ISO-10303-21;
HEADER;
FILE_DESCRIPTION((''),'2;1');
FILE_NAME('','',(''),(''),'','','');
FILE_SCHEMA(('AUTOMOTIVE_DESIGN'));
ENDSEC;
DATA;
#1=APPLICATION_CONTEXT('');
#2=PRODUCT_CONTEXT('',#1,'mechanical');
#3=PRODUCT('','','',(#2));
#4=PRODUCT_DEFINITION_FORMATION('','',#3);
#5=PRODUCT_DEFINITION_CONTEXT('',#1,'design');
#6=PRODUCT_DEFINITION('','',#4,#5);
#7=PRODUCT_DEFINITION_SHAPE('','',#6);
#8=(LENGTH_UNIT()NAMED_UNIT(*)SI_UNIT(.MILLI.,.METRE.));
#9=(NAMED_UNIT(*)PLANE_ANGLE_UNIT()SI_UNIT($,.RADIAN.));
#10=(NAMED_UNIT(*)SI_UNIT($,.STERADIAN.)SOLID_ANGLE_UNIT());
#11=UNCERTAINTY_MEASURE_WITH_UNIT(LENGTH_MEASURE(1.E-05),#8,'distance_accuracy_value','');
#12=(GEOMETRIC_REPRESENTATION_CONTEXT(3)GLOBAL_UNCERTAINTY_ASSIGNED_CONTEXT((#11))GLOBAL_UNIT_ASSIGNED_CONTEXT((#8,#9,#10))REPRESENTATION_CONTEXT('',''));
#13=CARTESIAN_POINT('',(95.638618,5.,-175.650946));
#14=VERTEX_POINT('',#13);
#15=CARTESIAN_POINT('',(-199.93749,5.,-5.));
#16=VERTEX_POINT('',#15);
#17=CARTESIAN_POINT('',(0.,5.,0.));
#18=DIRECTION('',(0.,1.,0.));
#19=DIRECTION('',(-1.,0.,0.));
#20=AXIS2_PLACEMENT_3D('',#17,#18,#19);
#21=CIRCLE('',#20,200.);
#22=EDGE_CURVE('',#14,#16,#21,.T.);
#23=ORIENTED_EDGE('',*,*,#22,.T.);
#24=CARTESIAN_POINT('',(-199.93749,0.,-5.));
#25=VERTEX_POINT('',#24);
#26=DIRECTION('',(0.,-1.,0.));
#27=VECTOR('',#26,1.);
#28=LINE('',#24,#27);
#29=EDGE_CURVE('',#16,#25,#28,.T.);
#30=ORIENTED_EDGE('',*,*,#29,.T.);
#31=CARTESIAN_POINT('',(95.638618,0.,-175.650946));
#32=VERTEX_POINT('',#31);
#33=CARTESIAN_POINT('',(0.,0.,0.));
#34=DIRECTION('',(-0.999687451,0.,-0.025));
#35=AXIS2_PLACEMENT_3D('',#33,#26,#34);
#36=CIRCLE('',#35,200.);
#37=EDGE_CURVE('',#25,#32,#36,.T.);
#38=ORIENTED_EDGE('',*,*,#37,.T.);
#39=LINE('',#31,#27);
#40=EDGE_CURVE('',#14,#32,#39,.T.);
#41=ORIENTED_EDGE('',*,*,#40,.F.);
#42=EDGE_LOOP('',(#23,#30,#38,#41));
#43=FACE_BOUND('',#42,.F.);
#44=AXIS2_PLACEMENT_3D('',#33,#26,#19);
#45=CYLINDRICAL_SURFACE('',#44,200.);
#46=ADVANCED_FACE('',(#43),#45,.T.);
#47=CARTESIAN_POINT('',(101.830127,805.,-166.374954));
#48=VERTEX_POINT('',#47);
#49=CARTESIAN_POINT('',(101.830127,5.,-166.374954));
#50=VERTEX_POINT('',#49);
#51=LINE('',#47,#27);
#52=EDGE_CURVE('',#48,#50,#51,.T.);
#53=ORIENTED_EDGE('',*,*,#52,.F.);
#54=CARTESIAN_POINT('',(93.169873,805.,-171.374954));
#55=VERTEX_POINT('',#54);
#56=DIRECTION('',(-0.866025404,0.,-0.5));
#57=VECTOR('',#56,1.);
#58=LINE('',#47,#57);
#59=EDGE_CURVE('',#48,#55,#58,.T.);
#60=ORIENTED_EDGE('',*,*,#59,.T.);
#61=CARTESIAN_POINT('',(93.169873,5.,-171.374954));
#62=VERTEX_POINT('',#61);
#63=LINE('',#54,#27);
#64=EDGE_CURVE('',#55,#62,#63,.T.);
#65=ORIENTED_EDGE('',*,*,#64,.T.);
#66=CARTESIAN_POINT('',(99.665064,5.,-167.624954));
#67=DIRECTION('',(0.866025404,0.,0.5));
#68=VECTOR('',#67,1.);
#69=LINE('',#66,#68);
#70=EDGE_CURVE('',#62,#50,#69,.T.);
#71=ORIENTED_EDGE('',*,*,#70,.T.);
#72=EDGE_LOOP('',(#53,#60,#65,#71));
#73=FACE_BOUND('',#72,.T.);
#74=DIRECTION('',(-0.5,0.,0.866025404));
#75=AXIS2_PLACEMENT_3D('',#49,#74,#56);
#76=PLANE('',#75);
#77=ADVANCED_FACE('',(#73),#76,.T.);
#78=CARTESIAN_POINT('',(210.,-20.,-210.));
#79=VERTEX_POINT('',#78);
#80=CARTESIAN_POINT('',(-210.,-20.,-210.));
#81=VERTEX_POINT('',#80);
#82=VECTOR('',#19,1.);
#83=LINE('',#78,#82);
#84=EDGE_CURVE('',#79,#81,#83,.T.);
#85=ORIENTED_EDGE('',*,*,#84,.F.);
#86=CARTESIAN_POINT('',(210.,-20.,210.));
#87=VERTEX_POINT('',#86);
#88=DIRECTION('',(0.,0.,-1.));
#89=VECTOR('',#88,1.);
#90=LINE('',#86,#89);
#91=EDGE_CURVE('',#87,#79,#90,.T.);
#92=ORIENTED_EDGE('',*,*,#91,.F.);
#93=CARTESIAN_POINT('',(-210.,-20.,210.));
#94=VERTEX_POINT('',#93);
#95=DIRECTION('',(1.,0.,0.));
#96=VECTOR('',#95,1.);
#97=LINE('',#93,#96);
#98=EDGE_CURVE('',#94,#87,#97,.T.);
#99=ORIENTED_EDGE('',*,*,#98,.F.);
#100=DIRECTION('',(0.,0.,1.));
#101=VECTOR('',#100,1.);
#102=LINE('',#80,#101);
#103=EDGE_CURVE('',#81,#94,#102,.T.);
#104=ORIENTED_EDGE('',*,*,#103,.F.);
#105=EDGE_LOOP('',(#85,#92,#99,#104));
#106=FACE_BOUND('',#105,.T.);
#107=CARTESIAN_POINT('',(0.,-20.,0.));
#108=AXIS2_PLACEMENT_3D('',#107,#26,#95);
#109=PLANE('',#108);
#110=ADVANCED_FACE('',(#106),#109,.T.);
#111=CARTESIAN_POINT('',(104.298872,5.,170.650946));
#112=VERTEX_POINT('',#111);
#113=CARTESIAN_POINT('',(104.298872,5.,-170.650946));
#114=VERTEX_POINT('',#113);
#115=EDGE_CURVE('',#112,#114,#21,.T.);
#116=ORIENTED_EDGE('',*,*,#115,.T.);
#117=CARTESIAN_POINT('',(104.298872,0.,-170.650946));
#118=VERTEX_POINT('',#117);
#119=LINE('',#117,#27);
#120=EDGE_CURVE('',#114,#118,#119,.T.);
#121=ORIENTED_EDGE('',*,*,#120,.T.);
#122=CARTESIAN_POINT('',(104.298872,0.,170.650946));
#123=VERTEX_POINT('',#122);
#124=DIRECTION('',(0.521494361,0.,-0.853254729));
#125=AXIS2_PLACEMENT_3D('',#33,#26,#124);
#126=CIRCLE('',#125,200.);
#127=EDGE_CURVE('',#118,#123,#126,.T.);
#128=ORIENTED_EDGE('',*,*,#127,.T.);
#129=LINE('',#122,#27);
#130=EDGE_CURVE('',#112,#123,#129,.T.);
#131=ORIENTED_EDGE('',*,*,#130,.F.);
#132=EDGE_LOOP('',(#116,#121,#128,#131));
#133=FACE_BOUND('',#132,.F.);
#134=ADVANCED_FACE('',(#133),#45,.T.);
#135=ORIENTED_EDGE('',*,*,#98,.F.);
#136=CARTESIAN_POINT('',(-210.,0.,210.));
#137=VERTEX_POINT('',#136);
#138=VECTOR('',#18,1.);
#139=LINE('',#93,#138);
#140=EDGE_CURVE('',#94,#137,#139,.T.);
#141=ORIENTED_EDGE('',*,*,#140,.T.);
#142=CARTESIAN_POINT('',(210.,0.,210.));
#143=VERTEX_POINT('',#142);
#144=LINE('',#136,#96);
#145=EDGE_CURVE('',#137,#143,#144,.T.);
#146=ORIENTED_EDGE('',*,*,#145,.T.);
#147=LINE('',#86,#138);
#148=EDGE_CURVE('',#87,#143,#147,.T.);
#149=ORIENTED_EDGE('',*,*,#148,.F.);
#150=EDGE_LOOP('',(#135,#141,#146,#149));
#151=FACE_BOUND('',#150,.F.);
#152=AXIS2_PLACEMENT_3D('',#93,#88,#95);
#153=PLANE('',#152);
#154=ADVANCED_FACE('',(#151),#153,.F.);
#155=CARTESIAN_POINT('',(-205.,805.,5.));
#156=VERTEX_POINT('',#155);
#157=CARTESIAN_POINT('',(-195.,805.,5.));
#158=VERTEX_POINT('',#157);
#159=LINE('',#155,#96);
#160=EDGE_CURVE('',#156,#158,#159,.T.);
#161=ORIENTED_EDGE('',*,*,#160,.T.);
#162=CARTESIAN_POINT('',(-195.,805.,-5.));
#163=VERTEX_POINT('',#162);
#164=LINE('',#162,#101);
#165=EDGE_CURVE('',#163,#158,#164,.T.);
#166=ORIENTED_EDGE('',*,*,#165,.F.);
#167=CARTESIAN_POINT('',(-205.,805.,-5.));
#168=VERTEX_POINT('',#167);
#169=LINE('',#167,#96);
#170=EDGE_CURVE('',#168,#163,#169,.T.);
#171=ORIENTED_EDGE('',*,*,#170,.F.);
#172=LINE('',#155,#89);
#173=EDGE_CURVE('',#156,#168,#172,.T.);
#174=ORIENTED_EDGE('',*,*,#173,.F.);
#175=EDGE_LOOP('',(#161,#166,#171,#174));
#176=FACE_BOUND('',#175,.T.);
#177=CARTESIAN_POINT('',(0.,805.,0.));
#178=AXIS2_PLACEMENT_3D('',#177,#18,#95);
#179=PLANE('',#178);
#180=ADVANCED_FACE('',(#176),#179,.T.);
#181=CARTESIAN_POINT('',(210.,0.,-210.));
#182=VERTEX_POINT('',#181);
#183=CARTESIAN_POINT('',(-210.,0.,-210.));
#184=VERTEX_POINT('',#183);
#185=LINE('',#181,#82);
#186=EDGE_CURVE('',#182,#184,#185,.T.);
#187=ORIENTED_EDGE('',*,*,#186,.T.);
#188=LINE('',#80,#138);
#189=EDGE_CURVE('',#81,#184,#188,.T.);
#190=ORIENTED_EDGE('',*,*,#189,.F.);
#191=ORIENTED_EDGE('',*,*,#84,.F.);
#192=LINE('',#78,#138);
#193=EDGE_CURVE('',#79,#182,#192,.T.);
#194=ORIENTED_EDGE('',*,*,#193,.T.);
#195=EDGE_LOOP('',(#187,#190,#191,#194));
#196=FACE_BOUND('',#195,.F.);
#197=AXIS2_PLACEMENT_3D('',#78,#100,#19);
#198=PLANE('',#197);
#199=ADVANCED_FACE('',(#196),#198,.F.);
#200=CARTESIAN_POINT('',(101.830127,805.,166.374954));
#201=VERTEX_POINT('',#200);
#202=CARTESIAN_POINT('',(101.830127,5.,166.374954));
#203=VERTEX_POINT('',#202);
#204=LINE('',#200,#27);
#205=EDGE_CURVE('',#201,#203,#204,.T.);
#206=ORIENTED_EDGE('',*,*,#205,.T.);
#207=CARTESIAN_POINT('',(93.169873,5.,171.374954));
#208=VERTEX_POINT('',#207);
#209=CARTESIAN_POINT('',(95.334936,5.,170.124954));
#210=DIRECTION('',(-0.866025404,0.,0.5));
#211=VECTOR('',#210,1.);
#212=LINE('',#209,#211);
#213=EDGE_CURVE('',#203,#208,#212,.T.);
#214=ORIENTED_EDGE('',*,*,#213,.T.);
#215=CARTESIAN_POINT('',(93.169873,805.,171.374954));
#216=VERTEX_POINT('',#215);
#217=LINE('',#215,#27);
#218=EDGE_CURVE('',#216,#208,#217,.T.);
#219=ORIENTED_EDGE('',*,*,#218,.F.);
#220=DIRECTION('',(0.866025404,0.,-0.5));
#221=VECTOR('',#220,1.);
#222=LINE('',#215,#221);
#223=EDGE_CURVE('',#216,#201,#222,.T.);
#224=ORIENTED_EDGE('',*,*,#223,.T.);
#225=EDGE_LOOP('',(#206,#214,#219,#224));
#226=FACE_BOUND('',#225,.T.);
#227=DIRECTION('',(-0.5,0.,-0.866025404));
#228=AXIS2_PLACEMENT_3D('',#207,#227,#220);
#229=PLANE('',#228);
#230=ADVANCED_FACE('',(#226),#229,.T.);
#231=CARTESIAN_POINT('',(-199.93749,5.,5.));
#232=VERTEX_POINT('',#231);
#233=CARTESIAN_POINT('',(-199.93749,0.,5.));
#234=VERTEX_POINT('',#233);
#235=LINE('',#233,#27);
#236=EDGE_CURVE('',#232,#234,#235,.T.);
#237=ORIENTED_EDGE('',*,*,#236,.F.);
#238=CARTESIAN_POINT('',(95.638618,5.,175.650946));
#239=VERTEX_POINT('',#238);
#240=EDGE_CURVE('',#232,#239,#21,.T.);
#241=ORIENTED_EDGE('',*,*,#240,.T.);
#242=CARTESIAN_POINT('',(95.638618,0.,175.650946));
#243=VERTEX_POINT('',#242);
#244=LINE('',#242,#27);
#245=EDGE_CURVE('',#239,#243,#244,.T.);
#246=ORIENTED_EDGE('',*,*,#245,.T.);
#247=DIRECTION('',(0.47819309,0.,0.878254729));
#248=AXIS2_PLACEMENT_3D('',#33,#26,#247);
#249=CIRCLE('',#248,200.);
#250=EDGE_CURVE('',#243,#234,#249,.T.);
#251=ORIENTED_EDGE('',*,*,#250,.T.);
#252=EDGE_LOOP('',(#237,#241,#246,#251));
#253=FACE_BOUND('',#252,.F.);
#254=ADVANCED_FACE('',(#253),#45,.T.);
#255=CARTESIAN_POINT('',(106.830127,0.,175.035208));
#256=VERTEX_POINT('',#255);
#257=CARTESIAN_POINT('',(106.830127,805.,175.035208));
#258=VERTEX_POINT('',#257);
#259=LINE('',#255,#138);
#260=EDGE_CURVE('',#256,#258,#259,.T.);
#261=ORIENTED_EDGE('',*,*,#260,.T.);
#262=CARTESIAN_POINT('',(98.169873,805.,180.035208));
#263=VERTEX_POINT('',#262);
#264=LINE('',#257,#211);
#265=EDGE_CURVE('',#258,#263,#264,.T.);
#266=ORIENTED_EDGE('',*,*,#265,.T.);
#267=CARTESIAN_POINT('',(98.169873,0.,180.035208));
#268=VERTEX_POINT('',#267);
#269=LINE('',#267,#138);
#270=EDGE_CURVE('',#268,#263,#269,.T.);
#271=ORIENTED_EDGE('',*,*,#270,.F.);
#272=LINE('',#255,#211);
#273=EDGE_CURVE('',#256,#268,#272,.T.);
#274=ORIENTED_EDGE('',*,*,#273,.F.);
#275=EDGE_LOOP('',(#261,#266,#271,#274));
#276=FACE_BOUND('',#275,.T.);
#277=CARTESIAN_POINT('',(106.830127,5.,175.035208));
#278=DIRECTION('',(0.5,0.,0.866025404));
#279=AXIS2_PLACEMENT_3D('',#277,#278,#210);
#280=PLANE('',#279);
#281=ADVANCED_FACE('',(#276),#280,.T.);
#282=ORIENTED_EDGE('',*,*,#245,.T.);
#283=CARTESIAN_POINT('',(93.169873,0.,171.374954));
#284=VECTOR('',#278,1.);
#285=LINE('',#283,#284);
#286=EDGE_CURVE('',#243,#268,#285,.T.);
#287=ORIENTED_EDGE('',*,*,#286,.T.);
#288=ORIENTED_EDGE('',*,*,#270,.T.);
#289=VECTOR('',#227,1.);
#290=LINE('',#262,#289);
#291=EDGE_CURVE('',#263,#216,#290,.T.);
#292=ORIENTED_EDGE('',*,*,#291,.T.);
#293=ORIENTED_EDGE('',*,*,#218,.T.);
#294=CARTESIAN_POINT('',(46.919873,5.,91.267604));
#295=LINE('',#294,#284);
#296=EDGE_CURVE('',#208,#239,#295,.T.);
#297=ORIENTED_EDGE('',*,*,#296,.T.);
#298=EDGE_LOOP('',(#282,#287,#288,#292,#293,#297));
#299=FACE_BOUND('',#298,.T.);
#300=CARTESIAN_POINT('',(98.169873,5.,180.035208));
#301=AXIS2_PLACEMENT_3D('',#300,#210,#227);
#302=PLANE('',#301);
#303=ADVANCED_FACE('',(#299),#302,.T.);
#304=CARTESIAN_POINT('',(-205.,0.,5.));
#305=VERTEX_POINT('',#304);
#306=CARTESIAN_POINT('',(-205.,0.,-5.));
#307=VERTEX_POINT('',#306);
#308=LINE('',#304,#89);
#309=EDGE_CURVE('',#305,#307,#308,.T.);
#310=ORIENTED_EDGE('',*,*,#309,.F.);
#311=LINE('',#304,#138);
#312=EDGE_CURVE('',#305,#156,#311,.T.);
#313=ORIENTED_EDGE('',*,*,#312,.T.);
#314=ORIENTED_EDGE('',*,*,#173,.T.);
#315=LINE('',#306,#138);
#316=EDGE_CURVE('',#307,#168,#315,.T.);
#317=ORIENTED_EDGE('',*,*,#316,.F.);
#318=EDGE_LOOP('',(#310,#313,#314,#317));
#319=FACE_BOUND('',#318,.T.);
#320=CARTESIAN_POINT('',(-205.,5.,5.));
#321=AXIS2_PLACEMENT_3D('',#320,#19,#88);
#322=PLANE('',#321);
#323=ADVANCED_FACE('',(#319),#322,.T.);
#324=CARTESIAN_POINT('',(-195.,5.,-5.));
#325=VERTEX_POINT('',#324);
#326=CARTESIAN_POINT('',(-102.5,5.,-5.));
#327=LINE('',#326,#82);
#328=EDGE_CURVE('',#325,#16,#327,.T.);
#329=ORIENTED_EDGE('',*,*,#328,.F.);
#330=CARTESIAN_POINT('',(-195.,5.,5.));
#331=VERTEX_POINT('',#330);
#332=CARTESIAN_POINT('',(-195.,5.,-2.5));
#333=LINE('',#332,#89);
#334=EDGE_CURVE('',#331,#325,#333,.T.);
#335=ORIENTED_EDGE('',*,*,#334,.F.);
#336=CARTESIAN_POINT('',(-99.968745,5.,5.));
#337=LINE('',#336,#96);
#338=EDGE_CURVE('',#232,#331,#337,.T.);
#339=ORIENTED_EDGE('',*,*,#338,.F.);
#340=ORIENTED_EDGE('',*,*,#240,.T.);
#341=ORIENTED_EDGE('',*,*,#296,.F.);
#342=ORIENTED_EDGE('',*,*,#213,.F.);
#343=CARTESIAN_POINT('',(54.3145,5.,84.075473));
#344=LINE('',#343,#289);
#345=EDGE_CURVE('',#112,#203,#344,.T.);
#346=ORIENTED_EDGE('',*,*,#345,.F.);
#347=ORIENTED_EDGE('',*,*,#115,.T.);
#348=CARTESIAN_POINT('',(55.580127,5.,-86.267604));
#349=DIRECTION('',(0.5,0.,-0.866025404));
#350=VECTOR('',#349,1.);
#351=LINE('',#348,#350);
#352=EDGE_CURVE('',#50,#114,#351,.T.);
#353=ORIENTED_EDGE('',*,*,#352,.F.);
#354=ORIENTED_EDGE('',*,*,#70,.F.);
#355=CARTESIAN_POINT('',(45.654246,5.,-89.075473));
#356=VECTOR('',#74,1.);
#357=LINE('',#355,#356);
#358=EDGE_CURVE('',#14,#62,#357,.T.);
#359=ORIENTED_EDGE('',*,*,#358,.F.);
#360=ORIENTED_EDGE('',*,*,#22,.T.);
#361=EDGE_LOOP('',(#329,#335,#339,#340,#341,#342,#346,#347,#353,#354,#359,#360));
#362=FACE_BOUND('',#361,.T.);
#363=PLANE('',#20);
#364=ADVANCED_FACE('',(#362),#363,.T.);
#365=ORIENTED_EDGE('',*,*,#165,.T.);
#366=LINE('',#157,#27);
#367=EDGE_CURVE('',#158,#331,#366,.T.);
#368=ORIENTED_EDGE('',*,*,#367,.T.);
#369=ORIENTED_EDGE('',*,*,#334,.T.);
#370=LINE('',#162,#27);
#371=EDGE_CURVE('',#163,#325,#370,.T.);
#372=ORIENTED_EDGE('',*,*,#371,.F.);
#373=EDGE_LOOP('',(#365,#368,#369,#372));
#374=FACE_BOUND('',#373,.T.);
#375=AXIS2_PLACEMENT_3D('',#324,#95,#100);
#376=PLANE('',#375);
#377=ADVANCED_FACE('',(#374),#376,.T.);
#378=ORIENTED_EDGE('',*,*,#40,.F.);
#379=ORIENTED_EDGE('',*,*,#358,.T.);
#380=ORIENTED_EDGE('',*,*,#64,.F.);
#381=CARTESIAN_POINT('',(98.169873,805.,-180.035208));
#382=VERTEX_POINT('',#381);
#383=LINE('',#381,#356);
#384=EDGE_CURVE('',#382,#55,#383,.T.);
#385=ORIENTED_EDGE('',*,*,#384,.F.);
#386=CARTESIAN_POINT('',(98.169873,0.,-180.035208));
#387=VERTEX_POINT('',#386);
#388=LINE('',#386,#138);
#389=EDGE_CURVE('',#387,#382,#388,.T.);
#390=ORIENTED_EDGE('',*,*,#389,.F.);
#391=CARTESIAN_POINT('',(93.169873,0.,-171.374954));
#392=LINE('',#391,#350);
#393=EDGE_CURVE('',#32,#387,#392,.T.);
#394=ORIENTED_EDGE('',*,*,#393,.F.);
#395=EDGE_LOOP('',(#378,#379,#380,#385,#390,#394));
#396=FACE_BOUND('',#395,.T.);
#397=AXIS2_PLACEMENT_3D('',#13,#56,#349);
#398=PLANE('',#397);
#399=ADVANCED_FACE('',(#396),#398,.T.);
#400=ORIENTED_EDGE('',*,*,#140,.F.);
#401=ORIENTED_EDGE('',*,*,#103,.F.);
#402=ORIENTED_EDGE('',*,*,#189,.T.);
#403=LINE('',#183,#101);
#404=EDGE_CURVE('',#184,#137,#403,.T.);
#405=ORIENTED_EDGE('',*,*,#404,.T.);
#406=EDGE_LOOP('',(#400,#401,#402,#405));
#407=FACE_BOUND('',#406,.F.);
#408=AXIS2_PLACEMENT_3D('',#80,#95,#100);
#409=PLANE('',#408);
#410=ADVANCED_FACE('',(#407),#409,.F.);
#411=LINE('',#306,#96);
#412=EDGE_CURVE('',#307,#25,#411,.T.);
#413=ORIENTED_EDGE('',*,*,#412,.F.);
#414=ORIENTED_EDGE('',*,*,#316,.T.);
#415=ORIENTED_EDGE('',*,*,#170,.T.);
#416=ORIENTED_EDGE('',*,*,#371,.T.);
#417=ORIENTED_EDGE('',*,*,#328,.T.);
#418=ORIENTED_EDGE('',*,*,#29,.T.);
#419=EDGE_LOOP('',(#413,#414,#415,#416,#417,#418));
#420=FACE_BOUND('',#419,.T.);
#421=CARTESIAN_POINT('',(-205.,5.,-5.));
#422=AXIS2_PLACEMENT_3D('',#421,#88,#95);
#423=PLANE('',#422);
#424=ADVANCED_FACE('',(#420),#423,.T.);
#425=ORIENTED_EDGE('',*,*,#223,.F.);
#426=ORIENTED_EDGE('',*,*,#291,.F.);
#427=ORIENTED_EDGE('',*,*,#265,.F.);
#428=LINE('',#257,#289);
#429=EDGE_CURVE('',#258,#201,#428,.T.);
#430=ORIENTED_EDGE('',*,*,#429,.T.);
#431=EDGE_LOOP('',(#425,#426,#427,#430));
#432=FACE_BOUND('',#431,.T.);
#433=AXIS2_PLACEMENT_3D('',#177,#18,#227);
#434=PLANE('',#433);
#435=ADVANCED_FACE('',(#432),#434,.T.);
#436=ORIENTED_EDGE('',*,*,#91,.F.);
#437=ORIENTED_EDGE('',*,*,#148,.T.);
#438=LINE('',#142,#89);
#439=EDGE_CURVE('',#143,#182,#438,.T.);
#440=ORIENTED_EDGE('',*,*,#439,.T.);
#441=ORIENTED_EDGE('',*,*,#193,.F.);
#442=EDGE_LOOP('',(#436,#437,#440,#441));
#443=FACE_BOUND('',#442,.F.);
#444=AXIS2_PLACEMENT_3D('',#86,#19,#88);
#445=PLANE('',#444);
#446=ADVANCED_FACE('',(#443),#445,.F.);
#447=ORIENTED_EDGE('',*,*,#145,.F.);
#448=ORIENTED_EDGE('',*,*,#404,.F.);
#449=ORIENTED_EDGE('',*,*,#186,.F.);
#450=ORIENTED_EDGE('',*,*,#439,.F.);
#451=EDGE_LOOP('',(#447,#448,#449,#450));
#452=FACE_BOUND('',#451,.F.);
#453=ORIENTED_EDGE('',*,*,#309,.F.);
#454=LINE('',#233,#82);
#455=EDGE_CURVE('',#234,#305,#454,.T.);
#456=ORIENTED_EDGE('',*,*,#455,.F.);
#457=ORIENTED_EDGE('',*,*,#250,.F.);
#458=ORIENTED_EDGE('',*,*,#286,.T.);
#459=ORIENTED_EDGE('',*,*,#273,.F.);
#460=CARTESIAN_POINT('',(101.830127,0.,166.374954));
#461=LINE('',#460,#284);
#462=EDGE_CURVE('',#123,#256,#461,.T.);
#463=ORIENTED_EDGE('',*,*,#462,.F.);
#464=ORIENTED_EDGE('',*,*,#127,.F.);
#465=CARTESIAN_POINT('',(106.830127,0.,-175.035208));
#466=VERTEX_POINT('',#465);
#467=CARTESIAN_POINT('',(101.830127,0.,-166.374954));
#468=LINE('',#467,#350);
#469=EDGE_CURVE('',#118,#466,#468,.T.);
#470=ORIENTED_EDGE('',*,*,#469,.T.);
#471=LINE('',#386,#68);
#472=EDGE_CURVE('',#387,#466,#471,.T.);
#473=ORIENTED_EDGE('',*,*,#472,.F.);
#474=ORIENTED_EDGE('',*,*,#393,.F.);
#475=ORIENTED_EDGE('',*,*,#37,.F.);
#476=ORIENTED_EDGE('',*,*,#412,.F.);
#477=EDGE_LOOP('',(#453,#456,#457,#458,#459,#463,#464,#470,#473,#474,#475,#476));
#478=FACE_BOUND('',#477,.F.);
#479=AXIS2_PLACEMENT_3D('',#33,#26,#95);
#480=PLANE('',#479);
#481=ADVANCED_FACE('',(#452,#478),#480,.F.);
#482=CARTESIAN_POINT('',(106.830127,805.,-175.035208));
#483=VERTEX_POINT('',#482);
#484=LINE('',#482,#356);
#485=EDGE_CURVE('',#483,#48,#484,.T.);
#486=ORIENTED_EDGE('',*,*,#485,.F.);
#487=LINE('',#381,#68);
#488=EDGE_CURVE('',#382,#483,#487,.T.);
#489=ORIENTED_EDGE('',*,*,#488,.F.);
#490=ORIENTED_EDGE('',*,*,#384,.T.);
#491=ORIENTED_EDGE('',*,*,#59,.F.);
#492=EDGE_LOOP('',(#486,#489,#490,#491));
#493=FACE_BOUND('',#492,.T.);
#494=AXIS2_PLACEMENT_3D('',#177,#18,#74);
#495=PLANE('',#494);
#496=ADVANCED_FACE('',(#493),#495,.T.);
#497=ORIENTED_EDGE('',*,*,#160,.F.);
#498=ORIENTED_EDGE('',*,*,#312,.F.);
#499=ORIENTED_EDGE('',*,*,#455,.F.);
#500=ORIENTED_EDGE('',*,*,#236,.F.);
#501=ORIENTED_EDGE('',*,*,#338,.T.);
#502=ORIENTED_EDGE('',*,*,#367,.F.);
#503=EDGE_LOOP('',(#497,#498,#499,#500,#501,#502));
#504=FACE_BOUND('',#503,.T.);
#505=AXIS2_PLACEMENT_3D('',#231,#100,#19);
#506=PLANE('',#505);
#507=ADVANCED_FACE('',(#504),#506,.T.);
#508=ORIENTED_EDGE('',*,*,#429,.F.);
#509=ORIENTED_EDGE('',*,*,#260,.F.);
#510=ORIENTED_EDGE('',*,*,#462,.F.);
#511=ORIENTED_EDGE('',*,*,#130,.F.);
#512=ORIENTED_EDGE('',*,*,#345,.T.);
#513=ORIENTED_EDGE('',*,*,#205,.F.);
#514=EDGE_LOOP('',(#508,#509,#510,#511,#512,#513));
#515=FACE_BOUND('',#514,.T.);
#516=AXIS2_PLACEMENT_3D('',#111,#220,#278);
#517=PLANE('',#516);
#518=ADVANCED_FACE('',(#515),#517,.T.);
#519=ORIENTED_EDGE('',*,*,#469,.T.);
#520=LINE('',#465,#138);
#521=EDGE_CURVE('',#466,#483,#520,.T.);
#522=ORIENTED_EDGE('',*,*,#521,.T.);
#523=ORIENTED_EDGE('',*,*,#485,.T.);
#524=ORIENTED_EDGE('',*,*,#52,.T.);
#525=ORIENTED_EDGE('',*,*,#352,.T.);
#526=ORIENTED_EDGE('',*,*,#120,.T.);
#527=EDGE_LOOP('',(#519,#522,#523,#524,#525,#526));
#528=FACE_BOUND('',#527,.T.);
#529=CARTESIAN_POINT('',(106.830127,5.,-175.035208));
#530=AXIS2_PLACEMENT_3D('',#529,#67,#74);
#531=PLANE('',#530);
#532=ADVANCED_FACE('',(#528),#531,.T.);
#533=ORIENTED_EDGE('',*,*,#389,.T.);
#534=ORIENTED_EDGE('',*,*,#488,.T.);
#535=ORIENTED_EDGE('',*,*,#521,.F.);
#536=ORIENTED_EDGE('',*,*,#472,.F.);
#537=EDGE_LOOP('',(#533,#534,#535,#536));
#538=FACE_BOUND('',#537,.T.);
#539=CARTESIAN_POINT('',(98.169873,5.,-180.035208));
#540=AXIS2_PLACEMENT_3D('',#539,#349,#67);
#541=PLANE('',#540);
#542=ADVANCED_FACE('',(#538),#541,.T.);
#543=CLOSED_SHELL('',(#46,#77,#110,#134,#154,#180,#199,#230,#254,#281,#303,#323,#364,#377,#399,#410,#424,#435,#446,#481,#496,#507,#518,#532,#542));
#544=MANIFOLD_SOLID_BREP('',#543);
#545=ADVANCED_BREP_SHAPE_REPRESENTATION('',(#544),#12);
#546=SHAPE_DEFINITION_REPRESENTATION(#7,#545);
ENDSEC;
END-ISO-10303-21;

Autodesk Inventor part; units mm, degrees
ref_plane "YZ Plane" through (0, 0, 0) normal (1, 0, 0) x (0, 1, 0)
ref_plane "XZ Plane" through (0, 0, 0) normal (0, 1, 0) x (-1, 0, 0)
ref_plane "XY Plane" through (0, 0, 0) normal (0, 0, 1) x (1, 0, 0)
sketch "草圖1" plane through (0, 0, 0) normal (0, 1, 0) x (-1, 0, 0)
  circle A0 centre (0, 0) radius 200
  dimension "d0" = 400
extrude "擠出1" add sketch "草圖1" along normal blind 5
sketch "草圖2" plane through (0, 5, 0) normal (0, 1, 0) x (1, 0, 0)
  line L0 (-205, 5) -> (-195, 5)
  line L1 (-195, 5) -> (-195, -5)
  line L2 (-195, -5) -> (-205, -5)
  line L3 (-205, -5) -> (-205, 5)
  circle A0 centre (0, 0) radius 200 projected
  line L4 (-205, 5) -> (-195, -5) construction
  line L5 (-195, 5) -> (-205, -5) construction
  point P0 (-200, 0)
  dimension "d3" = 10
  dimension "d4" = 10
extrude "擠出2" add sketch "草圖2" along normal blind 800 and the other way blind 5 contours L0 A0 L2 L3 | L0 L1 L2 A0 picked at (-196.6644, -0.5556)
pattern_circular "環形陣列1" count 3 over 360 about axis through (0, 0, 0) along (0, 1, 0) of "擠出2"
sketch "草圖3" plane through (0, 0, 0) normal (0, -1, 0) x (1, 0, 0)
  line L0 (-200, 200) -> (200, 200)
  line L1 (200, 200) -> (200, -200)
  line L2 (200, -200) -> (-200, -200)
  line L3 (-200, -200) -> (-200, 200)
  line L4 (-200, 200) -> (200, -200) construction
  line L5 (200, 200) -> (-200, -200) construction
  point P0 (0, 0)
  dimension "d12" = 400
  dimension "d13" = 400
extrude "擠出3" add sketch "草圖3" along normal blind 20
sketch "草圖4" plane through (0, -20, 0) normal (0, -1, 0) x (1, 0, 0)
  line L0 (-210, 210) -> (210, 210)
  line L1 (210, 210) -> (210, -210)
  line L2 (210, -210) -> (-210, -210)
  line L3 (-210, -210) -> (-210, 210)
  line L4 (-210, 210) -> (210, -210) construction
  line L5 (210, 210) -> (-210, -210) construction
  point P0 (0, 0)
  dimension "d16" = 420
  dimension "d17" = 420
extrude "擠出4" add sketch "草圖4" against normal up to surface (20 mm away)
properties part number "底座"
